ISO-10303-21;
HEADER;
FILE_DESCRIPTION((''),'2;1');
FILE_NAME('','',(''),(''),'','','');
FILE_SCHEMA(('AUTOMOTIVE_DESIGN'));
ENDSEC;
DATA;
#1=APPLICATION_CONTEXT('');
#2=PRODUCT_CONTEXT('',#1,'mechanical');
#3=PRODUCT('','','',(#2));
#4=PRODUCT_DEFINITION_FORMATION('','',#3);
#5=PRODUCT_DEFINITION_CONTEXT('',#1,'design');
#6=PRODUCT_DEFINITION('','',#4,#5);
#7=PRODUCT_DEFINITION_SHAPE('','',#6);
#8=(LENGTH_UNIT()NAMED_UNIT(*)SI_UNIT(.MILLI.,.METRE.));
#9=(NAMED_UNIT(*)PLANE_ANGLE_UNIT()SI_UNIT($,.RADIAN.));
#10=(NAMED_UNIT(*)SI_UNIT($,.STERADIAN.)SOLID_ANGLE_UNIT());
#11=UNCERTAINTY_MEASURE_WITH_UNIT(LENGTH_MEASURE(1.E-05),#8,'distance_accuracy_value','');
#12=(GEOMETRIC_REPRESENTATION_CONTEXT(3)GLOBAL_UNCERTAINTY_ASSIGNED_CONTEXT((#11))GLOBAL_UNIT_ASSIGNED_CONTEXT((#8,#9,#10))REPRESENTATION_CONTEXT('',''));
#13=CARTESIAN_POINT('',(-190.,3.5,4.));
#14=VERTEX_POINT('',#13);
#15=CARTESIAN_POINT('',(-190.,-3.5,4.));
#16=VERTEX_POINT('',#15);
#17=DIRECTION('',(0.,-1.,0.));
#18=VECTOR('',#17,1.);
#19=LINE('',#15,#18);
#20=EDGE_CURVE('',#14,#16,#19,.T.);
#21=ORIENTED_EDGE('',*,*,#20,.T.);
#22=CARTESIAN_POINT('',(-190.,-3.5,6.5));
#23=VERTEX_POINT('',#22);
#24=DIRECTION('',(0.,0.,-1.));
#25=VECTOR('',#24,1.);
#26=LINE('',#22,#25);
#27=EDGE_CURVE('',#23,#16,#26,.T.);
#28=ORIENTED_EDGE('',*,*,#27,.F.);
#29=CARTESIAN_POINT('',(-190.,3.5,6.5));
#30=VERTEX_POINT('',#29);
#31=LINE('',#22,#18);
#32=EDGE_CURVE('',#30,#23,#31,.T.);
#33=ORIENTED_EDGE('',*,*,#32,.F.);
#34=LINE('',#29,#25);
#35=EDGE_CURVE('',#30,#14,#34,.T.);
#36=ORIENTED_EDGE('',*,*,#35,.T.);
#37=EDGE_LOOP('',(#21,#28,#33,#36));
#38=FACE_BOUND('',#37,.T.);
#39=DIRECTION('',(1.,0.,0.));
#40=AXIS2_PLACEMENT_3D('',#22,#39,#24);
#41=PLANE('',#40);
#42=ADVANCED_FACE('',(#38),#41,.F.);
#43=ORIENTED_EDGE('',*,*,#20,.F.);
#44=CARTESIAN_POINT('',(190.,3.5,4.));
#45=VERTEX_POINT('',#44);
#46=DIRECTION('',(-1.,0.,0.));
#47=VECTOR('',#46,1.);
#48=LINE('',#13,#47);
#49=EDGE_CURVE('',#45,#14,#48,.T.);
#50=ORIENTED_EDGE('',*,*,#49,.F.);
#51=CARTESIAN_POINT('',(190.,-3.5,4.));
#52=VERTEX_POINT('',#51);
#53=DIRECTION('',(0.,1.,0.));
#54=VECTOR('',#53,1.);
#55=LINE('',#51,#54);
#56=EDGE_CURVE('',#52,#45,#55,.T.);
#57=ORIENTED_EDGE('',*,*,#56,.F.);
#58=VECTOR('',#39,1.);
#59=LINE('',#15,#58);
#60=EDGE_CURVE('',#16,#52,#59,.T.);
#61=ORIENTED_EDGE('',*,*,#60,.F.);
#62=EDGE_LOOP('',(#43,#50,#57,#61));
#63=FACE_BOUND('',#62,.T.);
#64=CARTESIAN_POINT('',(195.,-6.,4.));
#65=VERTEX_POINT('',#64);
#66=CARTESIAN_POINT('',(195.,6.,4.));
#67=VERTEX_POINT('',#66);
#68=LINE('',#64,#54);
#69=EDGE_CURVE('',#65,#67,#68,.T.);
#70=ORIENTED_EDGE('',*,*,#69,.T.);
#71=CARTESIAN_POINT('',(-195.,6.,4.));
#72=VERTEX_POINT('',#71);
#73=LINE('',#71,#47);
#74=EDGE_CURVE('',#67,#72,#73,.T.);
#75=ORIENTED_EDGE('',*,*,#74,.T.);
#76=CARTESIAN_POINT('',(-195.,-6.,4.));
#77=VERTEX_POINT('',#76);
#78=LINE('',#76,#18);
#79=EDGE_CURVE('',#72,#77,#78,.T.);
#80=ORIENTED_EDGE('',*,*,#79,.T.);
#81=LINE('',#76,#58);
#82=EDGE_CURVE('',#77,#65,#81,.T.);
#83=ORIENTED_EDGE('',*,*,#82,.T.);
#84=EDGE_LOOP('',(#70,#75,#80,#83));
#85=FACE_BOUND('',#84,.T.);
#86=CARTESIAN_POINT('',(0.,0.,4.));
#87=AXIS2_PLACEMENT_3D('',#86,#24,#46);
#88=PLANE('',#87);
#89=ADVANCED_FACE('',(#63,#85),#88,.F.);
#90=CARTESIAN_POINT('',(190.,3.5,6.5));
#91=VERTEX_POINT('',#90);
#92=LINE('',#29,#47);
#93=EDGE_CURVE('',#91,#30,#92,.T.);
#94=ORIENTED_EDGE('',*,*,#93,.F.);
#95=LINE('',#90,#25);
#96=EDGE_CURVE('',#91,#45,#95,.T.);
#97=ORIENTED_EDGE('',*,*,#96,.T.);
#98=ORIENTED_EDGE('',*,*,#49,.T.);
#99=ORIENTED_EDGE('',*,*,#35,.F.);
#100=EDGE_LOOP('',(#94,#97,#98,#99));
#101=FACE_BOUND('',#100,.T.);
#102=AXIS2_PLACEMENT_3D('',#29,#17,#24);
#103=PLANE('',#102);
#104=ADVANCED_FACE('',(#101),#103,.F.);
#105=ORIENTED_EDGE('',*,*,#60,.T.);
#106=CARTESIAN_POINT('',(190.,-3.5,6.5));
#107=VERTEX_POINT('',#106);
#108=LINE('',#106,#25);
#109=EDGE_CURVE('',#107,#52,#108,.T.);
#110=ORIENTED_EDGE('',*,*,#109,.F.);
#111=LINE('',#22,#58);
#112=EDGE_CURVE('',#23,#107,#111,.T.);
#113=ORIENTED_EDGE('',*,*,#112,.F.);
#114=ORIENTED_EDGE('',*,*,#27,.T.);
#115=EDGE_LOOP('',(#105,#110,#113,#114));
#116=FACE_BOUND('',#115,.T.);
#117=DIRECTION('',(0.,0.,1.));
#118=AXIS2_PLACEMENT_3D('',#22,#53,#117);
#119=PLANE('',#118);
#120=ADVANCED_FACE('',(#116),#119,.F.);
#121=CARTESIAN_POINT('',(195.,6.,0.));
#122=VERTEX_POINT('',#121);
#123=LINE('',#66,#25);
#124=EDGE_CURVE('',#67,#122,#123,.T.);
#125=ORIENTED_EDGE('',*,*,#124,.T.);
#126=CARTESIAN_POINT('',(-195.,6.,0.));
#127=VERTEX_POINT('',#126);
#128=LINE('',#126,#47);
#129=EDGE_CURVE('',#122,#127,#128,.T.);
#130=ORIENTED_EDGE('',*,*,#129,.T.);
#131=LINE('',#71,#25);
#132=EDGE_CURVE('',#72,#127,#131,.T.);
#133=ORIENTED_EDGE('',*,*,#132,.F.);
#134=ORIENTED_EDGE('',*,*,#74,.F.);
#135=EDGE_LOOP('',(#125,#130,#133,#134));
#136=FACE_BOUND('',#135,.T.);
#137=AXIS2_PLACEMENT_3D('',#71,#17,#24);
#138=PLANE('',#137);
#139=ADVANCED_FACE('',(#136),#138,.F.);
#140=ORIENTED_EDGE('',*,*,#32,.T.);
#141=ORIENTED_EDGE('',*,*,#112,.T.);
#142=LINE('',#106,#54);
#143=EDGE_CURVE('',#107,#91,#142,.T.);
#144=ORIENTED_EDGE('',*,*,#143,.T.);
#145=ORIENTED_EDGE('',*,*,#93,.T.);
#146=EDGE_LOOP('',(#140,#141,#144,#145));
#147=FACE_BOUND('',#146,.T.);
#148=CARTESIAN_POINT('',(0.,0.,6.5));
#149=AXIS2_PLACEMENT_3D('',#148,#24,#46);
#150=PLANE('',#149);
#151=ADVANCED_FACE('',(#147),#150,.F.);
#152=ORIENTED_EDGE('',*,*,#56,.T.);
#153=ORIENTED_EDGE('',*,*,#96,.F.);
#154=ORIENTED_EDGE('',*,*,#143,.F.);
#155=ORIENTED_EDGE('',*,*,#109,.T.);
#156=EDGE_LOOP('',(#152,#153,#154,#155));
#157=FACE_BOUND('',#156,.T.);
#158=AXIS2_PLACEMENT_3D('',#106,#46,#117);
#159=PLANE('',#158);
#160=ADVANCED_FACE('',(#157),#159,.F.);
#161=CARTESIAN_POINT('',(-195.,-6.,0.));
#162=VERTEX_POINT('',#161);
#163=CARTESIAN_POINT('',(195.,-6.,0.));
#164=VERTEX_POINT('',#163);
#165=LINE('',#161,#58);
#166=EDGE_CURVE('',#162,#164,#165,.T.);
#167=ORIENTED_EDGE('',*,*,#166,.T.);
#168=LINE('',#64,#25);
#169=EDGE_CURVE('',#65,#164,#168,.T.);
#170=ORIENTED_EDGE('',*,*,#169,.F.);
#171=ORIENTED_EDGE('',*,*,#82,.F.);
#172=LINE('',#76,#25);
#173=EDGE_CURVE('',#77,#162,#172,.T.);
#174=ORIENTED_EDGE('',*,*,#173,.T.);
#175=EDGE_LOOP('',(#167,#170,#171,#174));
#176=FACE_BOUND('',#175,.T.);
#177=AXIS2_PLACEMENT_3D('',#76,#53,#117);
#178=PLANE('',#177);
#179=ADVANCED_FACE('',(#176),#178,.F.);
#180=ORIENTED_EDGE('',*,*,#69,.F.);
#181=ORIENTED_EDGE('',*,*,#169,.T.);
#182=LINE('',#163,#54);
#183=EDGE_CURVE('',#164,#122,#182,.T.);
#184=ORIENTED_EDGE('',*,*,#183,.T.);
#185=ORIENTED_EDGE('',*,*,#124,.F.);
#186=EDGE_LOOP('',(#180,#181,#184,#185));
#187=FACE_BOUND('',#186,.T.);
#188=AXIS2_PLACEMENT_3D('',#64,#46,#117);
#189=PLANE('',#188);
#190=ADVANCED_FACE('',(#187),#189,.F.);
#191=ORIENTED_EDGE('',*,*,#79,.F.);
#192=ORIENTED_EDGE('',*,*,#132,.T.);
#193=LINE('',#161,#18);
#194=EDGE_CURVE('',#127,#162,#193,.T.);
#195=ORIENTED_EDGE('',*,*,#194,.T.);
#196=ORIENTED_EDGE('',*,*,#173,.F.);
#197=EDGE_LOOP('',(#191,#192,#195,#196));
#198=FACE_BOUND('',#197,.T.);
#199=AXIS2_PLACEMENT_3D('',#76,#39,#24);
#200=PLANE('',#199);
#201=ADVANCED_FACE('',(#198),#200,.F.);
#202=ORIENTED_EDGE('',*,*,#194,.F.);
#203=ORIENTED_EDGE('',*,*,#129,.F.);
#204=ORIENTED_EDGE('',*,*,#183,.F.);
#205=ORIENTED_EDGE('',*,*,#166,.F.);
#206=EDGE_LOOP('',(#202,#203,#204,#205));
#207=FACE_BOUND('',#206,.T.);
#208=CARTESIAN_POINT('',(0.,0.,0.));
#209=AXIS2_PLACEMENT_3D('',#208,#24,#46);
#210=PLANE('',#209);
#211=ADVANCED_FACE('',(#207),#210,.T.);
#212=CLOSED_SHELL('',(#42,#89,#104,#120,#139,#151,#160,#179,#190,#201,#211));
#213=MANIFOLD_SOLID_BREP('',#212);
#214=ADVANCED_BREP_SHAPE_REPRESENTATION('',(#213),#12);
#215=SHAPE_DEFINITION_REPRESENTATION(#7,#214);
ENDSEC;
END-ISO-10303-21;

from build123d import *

# Parameters (mm, degrees)
ESQUISSE1_W              = 390
ESQUISSE1_H              = 12
PROFIL_BANDEAU_LED_DEPTH = 4
DIFFUSEUR_LED_START      = 4
ESQUISSE2_W              = 380
ESQUISSE2_H              = 7
DIFFUSEUR_LED_DEPTH      = 2.5


with BuildPart() as part:
    # Esquisse1 → Profil_bandeau_LED (new body)
    with BuildSketch(Plane.XY):
        Rectangle(ESQUISSE1_W, ESQUISSE1_H)
    extrude(amount=PROFIL_BANDEAU_LED_DEPTH)

    # Esquisse2 → Diffuseur_LED (add)
    with BuildSketch(Plane.XY.offset(DIFFUSEUR_LED_START)):
        Rectangle(ESQUISSE2_W, ESQUISSE2_H)
    extrude(amount=DIFFUSEUR_LED_DEPTH)


solid = part.part
